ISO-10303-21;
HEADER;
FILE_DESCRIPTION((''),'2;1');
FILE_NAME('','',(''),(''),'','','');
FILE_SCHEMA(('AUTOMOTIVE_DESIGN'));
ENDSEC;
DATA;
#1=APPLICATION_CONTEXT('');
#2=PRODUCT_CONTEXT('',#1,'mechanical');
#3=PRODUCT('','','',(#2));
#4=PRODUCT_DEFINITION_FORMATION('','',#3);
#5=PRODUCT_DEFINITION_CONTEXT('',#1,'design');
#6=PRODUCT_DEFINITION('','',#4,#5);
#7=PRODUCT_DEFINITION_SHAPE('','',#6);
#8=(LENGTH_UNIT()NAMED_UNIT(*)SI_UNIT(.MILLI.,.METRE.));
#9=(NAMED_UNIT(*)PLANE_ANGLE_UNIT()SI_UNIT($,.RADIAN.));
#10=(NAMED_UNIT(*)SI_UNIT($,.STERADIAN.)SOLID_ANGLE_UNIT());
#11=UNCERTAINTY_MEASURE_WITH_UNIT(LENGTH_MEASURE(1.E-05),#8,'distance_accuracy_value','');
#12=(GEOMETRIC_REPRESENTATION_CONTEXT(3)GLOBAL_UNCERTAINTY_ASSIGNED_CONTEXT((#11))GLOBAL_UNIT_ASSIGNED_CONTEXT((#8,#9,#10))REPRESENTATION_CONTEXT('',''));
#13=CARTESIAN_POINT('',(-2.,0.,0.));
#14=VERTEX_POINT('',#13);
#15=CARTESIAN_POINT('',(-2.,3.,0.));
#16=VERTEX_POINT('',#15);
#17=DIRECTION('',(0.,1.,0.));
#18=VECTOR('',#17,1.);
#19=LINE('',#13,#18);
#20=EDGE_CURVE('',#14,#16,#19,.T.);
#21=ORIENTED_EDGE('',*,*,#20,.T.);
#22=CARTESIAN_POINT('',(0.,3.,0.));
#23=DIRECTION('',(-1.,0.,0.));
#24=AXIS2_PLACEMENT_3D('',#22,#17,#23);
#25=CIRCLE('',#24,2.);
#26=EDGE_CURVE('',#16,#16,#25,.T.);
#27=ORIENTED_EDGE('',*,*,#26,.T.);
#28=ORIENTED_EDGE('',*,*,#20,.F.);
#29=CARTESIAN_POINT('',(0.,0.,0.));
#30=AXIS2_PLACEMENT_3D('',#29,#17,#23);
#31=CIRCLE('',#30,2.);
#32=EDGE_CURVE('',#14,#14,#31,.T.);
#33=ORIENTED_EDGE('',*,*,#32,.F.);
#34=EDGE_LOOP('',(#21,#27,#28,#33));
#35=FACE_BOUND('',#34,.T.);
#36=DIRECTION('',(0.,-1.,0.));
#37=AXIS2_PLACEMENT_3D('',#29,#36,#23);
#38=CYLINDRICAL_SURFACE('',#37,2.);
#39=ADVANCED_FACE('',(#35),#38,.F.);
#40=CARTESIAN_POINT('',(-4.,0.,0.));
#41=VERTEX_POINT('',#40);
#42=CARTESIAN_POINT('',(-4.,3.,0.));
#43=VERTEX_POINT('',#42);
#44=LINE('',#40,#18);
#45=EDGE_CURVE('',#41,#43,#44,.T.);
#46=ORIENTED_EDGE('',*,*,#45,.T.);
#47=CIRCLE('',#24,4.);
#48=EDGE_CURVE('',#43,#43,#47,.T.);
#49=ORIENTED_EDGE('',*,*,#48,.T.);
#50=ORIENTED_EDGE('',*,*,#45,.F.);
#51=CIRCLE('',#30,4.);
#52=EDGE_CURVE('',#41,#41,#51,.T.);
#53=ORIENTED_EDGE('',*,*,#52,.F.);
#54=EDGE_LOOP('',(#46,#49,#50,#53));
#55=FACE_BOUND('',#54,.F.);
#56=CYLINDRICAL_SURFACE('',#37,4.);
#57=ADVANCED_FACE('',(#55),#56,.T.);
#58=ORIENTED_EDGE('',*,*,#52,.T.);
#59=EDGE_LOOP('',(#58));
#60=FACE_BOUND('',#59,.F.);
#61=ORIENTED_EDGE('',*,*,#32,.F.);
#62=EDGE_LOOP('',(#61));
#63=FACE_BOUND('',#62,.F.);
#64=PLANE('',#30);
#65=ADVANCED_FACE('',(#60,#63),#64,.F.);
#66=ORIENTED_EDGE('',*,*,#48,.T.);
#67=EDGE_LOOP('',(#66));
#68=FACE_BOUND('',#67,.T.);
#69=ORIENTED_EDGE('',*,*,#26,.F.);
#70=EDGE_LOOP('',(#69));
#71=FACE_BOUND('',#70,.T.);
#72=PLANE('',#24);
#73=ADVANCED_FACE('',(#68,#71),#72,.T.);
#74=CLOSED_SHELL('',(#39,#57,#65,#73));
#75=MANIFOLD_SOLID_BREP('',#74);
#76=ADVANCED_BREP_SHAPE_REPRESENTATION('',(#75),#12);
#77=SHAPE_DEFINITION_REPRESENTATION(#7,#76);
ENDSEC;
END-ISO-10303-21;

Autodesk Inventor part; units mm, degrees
ref_plane "YZ Plane" through (0, 0, 0) normal (1, 0, 0) x (0, 1, 0)
ref_plane "XZ Plane" through (0, 0, 0) normal (0, 1, 0) x (-1, 0, 0)
ref_plane "XY Plane" through (0, 0, 0) normal (0, 0, 1) x (1, 0, 0)
sketch "スケッチ1" plane through (0, 0, 0) normal (0, 1, 0) x (-1, 0, 0)
  circle A0 centre (0, 0) radius 4
  circle A1 centre (0, 0) radius 2
  dimension "d0" = 8
  dimension "d1" = 4
extrude "押し出し1" add sketch "スケッチ1" along normal blind 3
properties part number "ハンド_ベアリング_4-8" material "鋼、炭素鋼"
